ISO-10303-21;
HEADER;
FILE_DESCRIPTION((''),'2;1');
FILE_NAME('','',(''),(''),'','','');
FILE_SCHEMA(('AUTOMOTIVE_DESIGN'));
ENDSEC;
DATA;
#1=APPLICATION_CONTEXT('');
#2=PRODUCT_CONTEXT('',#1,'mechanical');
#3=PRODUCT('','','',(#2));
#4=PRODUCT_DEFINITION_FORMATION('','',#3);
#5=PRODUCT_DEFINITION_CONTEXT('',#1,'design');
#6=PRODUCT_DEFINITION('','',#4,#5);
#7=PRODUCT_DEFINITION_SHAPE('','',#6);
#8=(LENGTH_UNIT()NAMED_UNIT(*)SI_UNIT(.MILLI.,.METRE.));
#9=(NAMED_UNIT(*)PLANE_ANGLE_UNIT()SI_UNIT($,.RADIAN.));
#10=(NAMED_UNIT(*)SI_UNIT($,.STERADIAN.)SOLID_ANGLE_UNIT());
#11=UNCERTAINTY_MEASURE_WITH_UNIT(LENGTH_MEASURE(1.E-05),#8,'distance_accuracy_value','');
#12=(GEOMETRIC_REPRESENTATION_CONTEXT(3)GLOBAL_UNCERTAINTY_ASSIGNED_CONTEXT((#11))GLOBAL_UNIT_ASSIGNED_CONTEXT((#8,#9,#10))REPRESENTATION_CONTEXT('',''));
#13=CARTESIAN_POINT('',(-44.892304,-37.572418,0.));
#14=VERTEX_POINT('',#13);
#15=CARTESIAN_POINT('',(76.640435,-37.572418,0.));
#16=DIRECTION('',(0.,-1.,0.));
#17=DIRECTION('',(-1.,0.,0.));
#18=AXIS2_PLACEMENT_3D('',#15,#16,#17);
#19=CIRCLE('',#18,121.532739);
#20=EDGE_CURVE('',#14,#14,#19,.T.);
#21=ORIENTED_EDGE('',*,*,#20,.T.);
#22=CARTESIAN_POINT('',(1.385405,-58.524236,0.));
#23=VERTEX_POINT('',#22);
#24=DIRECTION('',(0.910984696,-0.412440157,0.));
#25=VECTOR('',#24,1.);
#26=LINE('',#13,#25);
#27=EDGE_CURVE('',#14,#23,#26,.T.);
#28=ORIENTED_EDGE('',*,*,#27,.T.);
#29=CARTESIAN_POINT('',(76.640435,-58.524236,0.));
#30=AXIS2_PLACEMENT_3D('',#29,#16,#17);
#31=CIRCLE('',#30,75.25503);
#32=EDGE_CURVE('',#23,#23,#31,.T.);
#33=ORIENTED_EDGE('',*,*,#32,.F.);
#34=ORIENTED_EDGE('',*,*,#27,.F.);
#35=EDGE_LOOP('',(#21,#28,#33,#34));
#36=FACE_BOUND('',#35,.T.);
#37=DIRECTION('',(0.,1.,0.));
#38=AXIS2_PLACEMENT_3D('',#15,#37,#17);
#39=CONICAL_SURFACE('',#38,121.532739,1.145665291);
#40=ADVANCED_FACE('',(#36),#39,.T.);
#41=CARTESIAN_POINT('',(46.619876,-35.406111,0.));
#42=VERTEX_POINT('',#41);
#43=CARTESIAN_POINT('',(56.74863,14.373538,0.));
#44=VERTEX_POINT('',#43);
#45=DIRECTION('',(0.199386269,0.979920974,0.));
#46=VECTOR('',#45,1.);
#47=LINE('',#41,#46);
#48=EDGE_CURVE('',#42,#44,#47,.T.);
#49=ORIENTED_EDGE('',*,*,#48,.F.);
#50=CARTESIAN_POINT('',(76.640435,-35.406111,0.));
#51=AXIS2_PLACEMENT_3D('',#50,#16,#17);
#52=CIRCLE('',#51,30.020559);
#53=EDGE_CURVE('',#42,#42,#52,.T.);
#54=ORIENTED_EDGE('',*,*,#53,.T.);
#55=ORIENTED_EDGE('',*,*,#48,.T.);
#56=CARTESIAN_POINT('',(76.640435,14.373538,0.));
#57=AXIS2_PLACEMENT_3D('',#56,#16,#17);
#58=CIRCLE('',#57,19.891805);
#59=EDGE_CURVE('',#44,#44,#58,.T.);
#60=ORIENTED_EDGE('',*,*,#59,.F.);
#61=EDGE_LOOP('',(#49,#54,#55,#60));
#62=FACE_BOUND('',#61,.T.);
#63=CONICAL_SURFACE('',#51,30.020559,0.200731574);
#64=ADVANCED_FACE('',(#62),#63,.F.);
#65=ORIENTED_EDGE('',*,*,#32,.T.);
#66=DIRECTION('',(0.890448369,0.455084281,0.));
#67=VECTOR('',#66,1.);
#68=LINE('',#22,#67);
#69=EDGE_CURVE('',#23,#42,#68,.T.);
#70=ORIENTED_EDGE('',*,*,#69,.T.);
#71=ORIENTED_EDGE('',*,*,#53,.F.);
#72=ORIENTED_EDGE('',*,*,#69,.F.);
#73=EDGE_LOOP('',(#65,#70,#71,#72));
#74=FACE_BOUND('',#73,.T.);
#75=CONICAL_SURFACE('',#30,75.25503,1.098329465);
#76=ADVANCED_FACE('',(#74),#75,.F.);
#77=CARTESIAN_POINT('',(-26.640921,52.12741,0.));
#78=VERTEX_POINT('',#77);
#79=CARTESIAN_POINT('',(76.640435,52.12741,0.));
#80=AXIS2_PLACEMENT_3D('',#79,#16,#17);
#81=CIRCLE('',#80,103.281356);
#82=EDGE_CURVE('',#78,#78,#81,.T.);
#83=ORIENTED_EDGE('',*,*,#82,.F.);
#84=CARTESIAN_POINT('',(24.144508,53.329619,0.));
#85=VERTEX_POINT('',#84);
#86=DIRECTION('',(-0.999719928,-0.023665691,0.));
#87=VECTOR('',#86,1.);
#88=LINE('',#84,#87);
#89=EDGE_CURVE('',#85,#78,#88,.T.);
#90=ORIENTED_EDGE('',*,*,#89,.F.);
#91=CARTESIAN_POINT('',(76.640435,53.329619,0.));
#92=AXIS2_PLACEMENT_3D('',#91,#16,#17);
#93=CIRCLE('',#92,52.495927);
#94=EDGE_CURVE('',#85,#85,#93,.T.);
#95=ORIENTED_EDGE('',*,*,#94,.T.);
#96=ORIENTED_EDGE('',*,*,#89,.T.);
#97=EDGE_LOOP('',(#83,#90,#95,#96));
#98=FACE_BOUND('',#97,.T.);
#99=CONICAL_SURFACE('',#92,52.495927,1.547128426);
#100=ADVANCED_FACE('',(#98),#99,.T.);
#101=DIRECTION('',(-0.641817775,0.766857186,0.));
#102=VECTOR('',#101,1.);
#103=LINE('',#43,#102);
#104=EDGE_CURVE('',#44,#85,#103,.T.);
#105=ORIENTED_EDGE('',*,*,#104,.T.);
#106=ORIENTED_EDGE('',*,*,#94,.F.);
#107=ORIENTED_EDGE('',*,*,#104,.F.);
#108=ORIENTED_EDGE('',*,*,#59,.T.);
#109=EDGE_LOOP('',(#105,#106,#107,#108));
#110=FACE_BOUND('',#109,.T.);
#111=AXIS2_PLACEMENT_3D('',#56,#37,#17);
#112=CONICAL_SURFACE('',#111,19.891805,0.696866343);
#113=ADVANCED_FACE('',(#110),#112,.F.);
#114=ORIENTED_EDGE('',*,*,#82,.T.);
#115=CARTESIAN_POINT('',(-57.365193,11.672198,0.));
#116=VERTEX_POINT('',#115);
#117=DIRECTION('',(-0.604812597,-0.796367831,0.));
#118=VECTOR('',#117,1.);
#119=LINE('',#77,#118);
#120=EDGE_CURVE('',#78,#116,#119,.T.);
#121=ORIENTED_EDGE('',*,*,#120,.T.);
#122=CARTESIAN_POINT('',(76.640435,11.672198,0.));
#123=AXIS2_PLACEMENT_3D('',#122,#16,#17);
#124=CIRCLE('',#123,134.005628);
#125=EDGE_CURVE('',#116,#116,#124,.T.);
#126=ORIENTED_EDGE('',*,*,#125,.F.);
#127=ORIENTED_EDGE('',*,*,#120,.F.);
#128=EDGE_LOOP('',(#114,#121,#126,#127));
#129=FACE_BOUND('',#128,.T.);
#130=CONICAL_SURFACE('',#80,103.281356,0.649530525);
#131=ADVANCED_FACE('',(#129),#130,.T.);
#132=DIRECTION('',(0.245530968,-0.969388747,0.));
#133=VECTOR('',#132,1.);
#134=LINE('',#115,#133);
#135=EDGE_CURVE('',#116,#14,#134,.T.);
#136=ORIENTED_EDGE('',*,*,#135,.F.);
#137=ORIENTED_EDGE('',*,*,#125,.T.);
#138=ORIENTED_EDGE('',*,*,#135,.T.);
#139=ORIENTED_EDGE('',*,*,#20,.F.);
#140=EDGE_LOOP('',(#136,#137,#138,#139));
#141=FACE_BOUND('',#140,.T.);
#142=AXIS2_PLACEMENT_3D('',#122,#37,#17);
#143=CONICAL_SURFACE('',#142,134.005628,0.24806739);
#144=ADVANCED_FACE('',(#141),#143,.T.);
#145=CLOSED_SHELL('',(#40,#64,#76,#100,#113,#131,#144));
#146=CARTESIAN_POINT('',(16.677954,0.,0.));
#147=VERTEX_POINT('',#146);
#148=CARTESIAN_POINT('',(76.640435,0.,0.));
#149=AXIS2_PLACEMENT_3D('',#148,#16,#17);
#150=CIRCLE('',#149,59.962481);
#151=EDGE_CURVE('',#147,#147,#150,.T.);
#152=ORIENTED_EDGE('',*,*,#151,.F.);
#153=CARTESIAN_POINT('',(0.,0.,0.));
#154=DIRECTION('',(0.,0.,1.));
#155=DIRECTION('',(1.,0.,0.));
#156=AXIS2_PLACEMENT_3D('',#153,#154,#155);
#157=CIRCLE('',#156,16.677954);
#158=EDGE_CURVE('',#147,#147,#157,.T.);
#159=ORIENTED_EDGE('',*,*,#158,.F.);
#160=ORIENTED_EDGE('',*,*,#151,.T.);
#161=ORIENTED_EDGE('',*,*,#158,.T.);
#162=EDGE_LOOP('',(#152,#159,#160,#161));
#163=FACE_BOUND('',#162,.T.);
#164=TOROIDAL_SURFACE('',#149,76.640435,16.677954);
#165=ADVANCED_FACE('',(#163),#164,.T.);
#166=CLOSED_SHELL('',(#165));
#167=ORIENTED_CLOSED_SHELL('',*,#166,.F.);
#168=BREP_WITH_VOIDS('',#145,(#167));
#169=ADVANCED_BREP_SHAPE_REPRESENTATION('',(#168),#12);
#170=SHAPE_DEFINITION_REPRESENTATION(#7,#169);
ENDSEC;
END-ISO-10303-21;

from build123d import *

# Parameters (mm, degrees)
F0_R = 16.677954


with BuildPart() as f2:
    # F0 (on Top) → F2 (revolve)
    with BuildSketch(Plane.XY):
        Polygon((46.619876, -35.406111), (56.74863, 14.373538), (24.144508, 53.329619), (-26.640921, 52.12741), (-57.365193, 11.672198), (-44.892304, -37.572418), (1.385405, -58.524236), align=None)
        Circle(F0_R, mode=Mode.SUBTRACT)
    revolve(axis=Axis((76.640435, 3.132816, 0), (0, -1, 0)))


solid = f2.part
